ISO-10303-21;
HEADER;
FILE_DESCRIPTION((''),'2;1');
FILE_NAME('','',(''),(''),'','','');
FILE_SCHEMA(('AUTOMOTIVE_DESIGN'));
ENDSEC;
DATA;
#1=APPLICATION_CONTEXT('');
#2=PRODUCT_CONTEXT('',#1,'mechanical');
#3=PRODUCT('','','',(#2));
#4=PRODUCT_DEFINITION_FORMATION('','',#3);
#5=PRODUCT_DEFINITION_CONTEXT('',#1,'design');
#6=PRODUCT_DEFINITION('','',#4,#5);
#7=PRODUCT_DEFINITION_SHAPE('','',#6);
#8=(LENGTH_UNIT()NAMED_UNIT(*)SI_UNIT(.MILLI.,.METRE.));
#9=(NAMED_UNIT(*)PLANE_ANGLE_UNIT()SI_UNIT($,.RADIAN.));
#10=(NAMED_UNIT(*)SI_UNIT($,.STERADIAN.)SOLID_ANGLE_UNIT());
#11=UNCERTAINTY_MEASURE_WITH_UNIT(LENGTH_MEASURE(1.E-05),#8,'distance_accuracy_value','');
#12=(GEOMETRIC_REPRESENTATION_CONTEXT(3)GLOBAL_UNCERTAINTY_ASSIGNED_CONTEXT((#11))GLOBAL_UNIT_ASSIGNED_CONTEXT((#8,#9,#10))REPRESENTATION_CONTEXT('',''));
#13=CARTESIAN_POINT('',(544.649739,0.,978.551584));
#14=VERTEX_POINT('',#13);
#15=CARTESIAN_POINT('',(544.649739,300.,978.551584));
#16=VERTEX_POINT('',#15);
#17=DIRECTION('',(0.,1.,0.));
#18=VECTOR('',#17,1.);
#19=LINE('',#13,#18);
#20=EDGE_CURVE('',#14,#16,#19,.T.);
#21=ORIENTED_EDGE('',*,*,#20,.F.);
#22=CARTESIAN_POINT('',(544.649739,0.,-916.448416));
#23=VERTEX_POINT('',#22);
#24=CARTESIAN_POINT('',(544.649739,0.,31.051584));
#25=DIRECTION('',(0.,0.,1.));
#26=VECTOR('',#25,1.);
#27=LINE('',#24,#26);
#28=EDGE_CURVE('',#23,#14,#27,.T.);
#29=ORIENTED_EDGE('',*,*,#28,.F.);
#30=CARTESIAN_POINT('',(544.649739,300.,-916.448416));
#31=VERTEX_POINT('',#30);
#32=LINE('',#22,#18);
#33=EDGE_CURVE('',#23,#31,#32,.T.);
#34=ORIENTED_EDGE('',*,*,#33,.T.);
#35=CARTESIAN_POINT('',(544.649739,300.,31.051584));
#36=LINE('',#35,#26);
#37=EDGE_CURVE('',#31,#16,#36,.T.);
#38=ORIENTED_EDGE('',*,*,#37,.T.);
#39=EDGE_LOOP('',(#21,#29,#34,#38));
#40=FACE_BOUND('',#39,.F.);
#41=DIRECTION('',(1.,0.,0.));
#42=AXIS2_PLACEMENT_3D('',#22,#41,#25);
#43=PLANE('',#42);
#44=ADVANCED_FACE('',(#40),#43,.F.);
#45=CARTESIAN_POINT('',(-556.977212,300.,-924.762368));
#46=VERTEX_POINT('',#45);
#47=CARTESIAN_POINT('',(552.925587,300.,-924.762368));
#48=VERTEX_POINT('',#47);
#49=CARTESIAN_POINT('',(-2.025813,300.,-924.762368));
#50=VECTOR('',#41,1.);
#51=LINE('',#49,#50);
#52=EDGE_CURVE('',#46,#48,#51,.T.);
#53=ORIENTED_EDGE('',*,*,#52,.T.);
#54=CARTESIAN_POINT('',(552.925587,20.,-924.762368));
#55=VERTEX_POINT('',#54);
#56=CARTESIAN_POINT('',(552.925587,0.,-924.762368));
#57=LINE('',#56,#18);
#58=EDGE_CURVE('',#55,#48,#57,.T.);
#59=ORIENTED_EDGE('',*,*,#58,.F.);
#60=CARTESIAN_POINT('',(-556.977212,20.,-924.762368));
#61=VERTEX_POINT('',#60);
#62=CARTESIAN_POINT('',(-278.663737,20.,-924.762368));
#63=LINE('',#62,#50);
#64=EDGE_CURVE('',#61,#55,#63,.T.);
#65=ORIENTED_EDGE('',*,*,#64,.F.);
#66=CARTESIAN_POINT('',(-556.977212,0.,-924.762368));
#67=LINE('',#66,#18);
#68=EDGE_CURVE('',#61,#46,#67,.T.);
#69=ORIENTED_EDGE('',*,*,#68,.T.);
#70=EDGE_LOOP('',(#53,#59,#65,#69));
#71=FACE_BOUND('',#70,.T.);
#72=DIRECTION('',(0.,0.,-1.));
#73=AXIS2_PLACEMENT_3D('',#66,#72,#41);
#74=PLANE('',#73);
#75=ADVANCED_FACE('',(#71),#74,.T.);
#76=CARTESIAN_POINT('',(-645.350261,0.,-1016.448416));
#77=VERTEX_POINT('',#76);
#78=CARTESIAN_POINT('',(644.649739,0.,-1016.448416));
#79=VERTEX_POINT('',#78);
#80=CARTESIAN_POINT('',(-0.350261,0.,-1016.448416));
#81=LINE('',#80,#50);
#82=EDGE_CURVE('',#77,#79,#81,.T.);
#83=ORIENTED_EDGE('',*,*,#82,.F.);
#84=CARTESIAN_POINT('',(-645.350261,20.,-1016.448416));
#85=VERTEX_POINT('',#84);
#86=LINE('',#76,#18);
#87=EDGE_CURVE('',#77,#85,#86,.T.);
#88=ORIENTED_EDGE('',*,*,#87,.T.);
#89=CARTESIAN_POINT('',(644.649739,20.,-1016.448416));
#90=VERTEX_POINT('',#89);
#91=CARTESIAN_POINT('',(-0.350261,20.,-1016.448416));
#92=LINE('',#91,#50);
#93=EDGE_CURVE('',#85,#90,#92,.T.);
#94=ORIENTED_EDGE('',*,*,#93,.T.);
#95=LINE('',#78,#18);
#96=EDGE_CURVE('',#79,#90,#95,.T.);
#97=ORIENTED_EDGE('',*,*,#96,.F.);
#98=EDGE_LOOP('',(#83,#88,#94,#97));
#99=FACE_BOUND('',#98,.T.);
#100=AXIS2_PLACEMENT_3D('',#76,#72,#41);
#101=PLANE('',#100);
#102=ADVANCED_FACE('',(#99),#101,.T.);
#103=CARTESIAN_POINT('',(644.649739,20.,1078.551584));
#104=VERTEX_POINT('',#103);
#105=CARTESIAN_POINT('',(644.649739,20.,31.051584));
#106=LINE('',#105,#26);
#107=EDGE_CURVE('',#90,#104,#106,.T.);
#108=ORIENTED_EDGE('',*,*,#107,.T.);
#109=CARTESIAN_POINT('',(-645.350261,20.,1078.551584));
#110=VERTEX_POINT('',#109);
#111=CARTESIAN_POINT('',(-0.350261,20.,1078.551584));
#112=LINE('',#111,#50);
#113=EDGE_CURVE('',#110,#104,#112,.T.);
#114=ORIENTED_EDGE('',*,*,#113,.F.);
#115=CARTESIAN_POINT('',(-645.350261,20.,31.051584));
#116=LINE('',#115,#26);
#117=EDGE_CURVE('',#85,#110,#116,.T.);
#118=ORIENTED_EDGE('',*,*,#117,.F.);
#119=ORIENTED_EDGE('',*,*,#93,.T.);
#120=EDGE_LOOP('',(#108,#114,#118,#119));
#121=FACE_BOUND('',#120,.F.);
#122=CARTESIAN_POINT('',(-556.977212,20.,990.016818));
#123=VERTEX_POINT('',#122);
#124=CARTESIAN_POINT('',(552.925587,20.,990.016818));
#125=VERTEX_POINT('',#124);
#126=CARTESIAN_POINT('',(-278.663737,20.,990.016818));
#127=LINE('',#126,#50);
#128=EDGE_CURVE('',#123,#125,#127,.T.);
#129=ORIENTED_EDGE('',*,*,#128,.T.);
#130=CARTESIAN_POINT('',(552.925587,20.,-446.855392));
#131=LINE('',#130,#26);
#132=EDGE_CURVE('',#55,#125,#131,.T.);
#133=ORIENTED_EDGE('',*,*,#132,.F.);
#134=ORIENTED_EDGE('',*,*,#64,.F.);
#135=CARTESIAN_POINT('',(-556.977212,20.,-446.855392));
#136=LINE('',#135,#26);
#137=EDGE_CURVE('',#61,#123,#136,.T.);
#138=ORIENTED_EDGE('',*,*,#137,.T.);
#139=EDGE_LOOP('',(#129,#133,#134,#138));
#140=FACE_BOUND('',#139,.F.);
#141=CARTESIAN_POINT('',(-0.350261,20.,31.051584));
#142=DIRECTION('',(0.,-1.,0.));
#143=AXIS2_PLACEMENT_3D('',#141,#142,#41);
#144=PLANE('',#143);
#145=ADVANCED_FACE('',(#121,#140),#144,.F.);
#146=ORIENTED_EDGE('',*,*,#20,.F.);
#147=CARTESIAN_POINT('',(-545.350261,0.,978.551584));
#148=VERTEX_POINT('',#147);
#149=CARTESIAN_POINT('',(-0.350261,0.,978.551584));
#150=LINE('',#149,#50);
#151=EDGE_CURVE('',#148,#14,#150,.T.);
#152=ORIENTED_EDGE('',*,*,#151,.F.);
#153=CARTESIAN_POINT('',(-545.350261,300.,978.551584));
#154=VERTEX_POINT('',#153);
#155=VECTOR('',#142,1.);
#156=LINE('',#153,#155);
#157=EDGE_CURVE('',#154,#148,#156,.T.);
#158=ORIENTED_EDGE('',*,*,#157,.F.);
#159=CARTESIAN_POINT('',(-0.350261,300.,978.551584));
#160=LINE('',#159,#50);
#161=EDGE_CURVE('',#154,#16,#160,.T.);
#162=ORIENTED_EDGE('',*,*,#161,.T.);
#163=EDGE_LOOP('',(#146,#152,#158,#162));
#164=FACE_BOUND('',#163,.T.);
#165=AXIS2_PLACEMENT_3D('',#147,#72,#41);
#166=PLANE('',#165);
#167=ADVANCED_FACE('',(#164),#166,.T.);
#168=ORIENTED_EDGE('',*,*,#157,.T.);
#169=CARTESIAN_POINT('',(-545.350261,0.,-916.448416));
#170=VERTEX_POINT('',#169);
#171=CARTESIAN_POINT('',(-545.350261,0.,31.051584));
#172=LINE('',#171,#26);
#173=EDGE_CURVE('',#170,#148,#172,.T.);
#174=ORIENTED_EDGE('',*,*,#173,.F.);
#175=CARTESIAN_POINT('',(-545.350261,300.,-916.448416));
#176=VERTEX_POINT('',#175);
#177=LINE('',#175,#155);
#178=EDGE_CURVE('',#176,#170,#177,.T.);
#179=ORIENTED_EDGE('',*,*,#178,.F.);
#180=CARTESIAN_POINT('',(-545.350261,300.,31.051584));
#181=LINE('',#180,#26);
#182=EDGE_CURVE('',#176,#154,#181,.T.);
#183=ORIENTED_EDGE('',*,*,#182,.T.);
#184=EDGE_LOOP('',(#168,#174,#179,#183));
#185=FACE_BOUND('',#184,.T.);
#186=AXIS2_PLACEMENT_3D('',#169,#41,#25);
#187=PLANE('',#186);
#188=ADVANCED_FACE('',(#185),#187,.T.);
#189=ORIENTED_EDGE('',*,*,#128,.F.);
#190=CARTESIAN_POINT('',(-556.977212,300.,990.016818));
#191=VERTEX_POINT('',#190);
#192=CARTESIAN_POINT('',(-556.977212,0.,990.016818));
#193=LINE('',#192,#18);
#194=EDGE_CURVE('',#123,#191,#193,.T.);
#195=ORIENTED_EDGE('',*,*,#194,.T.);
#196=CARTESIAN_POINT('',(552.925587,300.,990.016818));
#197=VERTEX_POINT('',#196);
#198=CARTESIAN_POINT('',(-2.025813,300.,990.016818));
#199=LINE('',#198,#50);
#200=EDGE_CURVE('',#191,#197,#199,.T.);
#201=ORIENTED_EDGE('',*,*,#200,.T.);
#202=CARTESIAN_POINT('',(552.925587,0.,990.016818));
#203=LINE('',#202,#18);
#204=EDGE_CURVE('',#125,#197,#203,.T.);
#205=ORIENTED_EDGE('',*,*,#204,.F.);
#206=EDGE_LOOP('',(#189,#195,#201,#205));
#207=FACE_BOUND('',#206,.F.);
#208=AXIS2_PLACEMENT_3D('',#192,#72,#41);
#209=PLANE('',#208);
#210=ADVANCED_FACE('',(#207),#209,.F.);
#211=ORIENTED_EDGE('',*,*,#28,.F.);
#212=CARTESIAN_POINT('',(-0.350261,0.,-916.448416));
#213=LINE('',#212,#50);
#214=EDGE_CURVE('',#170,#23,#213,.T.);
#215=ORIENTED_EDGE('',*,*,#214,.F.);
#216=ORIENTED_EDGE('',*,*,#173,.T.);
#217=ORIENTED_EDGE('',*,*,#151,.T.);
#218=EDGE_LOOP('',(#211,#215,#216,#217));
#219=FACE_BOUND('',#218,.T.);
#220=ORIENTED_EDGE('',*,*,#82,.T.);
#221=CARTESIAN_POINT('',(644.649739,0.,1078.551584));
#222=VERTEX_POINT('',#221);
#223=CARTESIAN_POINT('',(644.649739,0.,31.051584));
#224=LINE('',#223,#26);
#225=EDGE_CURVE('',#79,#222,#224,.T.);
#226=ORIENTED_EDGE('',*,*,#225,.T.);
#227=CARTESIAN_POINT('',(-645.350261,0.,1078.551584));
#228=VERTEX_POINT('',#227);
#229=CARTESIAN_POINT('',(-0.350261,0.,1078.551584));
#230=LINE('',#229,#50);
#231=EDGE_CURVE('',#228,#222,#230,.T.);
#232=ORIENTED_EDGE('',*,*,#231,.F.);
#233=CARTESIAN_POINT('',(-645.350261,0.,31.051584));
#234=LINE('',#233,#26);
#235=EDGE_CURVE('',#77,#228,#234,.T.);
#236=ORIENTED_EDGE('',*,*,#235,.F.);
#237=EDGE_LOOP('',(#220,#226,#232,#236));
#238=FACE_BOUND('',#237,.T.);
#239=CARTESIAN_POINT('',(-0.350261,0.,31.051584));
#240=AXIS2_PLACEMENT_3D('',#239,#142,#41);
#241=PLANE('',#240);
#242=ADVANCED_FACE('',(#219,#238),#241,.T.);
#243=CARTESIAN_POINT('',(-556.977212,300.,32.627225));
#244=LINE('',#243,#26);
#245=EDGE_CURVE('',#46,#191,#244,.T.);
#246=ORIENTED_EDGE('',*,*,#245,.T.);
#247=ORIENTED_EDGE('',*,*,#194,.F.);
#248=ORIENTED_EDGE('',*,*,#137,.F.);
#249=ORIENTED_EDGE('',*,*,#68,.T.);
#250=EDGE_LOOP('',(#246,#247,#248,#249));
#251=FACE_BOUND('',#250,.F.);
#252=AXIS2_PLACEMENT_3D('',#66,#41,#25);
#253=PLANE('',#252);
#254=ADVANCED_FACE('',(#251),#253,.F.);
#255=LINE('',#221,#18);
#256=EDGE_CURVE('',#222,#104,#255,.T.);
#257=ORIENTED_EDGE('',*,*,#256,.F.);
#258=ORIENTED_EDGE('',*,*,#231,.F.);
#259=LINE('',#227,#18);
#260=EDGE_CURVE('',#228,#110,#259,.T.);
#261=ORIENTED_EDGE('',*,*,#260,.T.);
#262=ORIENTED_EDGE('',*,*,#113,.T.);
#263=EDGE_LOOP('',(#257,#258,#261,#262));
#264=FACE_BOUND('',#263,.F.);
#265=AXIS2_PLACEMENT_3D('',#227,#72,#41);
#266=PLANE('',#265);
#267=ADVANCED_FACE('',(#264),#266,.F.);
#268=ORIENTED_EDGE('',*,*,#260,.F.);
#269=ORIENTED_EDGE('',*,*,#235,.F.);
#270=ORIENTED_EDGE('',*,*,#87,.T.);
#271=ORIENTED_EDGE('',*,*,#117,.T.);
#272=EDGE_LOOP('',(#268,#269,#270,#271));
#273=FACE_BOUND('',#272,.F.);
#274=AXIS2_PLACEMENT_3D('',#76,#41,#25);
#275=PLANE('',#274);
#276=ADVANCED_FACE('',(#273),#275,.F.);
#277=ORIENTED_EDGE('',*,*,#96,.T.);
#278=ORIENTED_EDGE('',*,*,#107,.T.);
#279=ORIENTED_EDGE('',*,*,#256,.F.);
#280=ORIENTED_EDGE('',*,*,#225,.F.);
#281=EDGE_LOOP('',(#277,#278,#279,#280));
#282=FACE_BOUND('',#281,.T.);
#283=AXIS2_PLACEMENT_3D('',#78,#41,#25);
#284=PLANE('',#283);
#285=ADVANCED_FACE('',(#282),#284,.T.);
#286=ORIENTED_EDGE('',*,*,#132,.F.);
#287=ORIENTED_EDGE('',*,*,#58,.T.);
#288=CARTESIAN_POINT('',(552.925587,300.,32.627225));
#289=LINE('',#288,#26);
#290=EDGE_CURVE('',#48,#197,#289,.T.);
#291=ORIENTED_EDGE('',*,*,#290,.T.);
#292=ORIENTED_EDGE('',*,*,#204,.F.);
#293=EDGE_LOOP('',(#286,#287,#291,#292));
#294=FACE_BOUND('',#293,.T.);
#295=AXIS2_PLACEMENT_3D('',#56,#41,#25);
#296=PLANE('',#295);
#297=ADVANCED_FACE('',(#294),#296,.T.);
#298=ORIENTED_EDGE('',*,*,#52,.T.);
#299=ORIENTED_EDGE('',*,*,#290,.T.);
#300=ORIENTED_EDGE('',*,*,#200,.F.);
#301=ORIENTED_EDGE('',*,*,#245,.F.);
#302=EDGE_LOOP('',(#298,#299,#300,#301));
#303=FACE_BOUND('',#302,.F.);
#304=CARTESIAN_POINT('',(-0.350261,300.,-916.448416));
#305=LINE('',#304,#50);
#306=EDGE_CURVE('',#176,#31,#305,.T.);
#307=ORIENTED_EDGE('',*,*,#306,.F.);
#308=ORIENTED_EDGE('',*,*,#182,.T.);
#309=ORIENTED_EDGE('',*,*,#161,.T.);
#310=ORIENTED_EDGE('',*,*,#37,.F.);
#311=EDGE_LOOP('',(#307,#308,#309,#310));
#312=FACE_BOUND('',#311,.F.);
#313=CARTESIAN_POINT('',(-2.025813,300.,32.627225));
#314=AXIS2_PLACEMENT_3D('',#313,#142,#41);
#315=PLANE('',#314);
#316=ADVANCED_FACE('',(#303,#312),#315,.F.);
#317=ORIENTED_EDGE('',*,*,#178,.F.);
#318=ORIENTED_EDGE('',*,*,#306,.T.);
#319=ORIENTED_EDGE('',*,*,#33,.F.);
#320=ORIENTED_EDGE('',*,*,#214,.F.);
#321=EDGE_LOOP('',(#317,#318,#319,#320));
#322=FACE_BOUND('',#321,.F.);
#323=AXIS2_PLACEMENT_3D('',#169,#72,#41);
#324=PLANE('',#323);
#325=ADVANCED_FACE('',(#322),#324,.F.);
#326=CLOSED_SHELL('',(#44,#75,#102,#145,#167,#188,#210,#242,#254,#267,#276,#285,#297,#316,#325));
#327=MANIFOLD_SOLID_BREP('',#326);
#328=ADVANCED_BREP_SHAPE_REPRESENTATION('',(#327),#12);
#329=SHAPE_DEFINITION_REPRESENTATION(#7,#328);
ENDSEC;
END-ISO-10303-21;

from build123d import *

# Parameters (mm, degrees)
F0_W     = 1290
F0_H     = 2095
F0_W_2   = 1090
F0_H_2   = 1895
F1_DEPTH = 20
F2_W     = 1109.902799
F2_H     = 1914.779186
F2_W_2   = 1090
F2_H_2   = 1895
F3_DEPTH = 300


with BuildPart() as f1:
    # F0 (on Front) → F1 (new body)
    with BuildSketch(Plane.XZ):
        with Locations((-0.350261, 31.051584)):
            Rectangle(F0_W, F0_H)
        with Locations((-0.350261, 31.051584)):
            Rectangle(F0_W_2, F0_H_2, mode=Mode.SUBTRACT)
    extrude(amount=-F1_DEPTH)

    # F2 (on face) → F3 (join)
    with BuildSketch(Plane.XZ):
        with Locations((-2.025813, 32.627225)):
            Rectangle(F2_W, F2_H)
        with Locations((-0.350261, 31.051584)):
            Rectangle(F2_W_2, F2_H_2, mode=Mode.SUBTRACT)
    extrude(amount=-F3_DEPTH)


solid = f1.part
